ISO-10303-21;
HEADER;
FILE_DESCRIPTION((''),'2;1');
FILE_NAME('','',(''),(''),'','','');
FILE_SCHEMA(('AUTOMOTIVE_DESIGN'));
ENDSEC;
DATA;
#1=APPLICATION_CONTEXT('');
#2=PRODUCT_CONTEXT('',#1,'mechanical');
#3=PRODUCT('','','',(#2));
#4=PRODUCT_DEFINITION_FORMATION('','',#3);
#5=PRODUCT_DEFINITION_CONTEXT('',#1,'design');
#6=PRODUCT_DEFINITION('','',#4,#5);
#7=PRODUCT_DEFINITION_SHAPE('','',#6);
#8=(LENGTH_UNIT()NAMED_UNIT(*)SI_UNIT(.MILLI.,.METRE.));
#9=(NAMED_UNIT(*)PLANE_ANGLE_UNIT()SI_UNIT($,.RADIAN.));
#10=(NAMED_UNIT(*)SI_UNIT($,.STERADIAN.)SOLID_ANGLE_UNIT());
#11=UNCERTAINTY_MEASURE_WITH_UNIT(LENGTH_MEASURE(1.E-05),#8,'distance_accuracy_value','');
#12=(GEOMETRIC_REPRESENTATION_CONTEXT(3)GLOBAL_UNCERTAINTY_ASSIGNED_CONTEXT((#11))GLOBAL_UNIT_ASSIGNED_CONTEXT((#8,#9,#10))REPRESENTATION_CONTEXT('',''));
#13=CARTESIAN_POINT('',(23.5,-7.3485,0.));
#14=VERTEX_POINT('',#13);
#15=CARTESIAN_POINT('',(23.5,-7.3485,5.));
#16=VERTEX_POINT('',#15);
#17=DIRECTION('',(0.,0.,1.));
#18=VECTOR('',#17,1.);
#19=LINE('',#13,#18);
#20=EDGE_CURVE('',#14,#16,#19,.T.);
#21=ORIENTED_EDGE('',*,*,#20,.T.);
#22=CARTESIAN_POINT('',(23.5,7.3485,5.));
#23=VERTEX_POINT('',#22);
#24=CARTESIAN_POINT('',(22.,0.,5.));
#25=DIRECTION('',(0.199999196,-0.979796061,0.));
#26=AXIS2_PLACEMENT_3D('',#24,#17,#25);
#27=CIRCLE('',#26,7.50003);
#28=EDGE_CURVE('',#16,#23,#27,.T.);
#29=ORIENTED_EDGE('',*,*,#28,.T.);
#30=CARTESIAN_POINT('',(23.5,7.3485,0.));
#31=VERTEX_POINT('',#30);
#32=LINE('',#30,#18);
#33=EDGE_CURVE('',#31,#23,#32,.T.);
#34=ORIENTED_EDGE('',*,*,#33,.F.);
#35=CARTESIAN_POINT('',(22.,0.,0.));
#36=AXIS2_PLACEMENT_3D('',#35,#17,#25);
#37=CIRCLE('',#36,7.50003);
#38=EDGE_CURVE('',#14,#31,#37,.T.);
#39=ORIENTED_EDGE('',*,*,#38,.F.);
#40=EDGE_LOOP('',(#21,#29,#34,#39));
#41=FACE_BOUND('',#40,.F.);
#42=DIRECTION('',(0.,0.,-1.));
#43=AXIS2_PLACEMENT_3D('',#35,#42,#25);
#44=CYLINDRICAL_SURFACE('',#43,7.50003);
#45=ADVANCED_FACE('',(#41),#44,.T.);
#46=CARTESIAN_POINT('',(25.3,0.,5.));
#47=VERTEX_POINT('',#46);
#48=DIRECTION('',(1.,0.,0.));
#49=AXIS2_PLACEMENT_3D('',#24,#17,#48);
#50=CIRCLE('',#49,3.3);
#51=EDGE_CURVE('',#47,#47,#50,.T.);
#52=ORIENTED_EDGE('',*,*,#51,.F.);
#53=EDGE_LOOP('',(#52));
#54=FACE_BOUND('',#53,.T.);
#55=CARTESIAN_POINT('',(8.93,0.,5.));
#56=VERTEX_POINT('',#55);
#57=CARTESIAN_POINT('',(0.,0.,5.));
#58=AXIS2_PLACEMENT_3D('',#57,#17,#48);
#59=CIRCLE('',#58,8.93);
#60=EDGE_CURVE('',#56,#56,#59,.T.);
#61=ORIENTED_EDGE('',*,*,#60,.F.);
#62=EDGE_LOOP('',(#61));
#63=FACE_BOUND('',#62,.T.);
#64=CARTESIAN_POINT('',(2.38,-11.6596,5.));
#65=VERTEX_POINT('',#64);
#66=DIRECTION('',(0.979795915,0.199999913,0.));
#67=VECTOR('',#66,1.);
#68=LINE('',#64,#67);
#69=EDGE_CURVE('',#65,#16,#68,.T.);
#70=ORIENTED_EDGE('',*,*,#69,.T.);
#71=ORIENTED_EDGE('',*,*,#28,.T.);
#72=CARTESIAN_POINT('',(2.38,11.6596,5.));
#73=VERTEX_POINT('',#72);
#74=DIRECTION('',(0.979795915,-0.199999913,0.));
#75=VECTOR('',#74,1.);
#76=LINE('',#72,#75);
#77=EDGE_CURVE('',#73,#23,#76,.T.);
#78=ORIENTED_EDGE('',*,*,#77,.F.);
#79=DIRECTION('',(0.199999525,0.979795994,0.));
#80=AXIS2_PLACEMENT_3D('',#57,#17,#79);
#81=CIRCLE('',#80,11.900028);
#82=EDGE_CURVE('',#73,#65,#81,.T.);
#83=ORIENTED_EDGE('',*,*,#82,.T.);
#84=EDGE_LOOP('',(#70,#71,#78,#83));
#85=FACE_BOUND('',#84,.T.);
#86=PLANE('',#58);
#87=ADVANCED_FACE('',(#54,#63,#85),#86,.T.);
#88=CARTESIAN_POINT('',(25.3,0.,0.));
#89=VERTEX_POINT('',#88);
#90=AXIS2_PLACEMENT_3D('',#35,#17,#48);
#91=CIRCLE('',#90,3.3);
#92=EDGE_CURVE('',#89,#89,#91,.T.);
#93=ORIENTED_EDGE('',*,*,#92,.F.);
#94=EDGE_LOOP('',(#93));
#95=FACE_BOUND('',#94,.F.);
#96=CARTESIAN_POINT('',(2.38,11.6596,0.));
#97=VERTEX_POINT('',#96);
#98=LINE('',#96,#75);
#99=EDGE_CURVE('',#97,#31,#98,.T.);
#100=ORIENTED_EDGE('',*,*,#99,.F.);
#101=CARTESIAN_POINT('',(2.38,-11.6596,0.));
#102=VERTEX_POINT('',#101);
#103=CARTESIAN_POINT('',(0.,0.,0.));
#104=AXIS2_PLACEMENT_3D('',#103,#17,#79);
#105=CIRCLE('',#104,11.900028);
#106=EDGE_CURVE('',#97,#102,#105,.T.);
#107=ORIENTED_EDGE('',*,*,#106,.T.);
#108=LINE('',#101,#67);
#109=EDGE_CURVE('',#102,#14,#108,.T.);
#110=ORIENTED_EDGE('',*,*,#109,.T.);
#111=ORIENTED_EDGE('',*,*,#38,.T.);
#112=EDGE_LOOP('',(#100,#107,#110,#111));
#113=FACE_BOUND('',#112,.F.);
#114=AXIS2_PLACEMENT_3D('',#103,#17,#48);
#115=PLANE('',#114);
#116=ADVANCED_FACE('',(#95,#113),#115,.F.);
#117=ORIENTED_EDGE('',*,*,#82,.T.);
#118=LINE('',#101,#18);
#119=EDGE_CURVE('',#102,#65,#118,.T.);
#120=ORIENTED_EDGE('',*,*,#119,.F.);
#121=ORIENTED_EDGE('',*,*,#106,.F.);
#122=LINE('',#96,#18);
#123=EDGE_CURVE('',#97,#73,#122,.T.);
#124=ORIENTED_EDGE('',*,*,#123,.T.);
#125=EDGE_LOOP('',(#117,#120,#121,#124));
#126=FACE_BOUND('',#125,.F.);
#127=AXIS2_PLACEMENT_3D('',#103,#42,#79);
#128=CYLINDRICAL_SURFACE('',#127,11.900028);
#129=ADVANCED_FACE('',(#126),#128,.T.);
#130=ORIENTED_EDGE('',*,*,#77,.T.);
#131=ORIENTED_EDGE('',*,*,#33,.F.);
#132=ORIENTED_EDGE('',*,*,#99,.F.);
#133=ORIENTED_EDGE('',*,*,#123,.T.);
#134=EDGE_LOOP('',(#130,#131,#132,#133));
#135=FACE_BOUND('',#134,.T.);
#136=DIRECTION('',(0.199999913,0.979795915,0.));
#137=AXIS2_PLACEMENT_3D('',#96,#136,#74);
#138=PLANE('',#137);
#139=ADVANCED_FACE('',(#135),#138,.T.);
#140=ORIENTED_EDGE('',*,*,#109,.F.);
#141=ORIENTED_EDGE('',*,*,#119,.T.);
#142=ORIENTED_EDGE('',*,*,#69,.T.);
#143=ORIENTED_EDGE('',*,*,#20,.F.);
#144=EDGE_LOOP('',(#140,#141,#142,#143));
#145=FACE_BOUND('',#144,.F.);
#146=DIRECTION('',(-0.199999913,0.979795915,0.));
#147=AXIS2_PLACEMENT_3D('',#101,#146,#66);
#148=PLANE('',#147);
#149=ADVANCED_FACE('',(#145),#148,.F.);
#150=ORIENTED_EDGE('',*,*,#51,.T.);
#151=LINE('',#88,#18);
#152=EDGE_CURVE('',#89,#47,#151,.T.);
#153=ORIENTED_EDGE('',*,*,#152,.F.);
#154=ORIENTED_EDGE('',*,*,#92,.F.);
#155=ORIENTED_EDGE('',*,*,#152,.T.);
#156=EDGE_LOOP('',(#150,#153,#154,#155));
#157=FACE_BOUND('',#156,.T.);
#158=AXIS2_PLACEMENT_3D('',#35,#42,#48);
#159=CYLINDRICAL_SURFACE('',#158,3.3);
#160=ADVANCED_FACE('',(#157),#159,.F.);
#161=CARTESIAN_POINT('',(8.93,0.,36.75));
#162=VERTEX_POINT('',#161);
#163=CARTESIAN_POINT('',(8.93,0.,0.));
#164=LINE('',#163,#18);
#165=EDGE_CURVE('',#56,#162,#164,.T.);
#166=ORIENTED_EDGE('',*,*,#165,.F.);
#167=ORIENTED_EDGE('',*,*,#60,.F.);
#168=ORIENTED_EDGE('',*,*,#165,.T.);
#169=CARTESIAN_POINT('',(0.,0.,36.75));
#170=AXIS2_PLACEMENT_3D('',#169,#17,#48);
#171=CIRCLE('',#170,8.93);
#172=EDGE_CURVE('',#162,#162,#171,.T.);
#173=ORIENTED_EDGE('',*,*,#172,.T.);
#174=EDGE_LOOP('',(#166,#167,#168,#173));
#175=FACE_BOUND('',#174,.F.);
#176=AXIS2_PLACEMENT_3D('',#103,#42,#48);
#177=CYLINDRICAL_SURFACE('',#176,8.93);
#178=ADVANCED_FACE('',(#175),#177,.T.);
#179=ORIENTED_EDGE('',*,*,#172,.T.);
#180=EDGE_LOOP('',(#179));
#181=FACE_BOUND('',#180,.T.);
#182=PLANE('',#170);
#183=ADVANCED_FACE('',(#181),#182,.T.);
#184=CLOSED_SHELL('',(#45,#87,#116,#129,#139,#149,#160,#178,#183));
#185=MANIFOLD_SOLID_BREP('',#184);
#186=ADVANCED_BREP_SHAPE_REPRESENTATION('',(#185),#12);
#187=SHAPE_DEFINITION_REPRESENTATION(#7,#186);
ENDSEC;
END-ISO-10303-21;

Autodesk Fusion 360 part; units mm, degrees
sketch "Sketch1" plane through (0, 0, 0) normal (0, 0, 1) x (1, 0, 0)
  circle A0 centre (22, 0) radius 3.3
  line L0 (2.38, 11.6596) -> (23.5, 7.3485)
  line L1 (36, 0) -> (-21.665, 0) construction
  line L2 (2.38, -11.6596) -> (23.5, -7.3485)
  arc A1 (23.5, -7.3485) -> (23.5, 7.3485) centre (22, 0) ccw
  arc A2 (2.38, 11.6596) -> (2.38, -11.6596) centre (0, 0) ccw
  circle A3 centre (0, 0) radius 8.93
  dimension "d1" = 23.8
  dimension "d2" = 15
  dimension "d3" = 22
  dimension "d4" = 6.6
  dimension "d5" = 17.86
extrude "Extrude1" add sketch "Sketch1" along normal blind 5
extrude "Extrude2" add sketch "Sketch1" along normal blind 36.75 contours A3
equation "d8 = 5 mm + 31.75 mm"
